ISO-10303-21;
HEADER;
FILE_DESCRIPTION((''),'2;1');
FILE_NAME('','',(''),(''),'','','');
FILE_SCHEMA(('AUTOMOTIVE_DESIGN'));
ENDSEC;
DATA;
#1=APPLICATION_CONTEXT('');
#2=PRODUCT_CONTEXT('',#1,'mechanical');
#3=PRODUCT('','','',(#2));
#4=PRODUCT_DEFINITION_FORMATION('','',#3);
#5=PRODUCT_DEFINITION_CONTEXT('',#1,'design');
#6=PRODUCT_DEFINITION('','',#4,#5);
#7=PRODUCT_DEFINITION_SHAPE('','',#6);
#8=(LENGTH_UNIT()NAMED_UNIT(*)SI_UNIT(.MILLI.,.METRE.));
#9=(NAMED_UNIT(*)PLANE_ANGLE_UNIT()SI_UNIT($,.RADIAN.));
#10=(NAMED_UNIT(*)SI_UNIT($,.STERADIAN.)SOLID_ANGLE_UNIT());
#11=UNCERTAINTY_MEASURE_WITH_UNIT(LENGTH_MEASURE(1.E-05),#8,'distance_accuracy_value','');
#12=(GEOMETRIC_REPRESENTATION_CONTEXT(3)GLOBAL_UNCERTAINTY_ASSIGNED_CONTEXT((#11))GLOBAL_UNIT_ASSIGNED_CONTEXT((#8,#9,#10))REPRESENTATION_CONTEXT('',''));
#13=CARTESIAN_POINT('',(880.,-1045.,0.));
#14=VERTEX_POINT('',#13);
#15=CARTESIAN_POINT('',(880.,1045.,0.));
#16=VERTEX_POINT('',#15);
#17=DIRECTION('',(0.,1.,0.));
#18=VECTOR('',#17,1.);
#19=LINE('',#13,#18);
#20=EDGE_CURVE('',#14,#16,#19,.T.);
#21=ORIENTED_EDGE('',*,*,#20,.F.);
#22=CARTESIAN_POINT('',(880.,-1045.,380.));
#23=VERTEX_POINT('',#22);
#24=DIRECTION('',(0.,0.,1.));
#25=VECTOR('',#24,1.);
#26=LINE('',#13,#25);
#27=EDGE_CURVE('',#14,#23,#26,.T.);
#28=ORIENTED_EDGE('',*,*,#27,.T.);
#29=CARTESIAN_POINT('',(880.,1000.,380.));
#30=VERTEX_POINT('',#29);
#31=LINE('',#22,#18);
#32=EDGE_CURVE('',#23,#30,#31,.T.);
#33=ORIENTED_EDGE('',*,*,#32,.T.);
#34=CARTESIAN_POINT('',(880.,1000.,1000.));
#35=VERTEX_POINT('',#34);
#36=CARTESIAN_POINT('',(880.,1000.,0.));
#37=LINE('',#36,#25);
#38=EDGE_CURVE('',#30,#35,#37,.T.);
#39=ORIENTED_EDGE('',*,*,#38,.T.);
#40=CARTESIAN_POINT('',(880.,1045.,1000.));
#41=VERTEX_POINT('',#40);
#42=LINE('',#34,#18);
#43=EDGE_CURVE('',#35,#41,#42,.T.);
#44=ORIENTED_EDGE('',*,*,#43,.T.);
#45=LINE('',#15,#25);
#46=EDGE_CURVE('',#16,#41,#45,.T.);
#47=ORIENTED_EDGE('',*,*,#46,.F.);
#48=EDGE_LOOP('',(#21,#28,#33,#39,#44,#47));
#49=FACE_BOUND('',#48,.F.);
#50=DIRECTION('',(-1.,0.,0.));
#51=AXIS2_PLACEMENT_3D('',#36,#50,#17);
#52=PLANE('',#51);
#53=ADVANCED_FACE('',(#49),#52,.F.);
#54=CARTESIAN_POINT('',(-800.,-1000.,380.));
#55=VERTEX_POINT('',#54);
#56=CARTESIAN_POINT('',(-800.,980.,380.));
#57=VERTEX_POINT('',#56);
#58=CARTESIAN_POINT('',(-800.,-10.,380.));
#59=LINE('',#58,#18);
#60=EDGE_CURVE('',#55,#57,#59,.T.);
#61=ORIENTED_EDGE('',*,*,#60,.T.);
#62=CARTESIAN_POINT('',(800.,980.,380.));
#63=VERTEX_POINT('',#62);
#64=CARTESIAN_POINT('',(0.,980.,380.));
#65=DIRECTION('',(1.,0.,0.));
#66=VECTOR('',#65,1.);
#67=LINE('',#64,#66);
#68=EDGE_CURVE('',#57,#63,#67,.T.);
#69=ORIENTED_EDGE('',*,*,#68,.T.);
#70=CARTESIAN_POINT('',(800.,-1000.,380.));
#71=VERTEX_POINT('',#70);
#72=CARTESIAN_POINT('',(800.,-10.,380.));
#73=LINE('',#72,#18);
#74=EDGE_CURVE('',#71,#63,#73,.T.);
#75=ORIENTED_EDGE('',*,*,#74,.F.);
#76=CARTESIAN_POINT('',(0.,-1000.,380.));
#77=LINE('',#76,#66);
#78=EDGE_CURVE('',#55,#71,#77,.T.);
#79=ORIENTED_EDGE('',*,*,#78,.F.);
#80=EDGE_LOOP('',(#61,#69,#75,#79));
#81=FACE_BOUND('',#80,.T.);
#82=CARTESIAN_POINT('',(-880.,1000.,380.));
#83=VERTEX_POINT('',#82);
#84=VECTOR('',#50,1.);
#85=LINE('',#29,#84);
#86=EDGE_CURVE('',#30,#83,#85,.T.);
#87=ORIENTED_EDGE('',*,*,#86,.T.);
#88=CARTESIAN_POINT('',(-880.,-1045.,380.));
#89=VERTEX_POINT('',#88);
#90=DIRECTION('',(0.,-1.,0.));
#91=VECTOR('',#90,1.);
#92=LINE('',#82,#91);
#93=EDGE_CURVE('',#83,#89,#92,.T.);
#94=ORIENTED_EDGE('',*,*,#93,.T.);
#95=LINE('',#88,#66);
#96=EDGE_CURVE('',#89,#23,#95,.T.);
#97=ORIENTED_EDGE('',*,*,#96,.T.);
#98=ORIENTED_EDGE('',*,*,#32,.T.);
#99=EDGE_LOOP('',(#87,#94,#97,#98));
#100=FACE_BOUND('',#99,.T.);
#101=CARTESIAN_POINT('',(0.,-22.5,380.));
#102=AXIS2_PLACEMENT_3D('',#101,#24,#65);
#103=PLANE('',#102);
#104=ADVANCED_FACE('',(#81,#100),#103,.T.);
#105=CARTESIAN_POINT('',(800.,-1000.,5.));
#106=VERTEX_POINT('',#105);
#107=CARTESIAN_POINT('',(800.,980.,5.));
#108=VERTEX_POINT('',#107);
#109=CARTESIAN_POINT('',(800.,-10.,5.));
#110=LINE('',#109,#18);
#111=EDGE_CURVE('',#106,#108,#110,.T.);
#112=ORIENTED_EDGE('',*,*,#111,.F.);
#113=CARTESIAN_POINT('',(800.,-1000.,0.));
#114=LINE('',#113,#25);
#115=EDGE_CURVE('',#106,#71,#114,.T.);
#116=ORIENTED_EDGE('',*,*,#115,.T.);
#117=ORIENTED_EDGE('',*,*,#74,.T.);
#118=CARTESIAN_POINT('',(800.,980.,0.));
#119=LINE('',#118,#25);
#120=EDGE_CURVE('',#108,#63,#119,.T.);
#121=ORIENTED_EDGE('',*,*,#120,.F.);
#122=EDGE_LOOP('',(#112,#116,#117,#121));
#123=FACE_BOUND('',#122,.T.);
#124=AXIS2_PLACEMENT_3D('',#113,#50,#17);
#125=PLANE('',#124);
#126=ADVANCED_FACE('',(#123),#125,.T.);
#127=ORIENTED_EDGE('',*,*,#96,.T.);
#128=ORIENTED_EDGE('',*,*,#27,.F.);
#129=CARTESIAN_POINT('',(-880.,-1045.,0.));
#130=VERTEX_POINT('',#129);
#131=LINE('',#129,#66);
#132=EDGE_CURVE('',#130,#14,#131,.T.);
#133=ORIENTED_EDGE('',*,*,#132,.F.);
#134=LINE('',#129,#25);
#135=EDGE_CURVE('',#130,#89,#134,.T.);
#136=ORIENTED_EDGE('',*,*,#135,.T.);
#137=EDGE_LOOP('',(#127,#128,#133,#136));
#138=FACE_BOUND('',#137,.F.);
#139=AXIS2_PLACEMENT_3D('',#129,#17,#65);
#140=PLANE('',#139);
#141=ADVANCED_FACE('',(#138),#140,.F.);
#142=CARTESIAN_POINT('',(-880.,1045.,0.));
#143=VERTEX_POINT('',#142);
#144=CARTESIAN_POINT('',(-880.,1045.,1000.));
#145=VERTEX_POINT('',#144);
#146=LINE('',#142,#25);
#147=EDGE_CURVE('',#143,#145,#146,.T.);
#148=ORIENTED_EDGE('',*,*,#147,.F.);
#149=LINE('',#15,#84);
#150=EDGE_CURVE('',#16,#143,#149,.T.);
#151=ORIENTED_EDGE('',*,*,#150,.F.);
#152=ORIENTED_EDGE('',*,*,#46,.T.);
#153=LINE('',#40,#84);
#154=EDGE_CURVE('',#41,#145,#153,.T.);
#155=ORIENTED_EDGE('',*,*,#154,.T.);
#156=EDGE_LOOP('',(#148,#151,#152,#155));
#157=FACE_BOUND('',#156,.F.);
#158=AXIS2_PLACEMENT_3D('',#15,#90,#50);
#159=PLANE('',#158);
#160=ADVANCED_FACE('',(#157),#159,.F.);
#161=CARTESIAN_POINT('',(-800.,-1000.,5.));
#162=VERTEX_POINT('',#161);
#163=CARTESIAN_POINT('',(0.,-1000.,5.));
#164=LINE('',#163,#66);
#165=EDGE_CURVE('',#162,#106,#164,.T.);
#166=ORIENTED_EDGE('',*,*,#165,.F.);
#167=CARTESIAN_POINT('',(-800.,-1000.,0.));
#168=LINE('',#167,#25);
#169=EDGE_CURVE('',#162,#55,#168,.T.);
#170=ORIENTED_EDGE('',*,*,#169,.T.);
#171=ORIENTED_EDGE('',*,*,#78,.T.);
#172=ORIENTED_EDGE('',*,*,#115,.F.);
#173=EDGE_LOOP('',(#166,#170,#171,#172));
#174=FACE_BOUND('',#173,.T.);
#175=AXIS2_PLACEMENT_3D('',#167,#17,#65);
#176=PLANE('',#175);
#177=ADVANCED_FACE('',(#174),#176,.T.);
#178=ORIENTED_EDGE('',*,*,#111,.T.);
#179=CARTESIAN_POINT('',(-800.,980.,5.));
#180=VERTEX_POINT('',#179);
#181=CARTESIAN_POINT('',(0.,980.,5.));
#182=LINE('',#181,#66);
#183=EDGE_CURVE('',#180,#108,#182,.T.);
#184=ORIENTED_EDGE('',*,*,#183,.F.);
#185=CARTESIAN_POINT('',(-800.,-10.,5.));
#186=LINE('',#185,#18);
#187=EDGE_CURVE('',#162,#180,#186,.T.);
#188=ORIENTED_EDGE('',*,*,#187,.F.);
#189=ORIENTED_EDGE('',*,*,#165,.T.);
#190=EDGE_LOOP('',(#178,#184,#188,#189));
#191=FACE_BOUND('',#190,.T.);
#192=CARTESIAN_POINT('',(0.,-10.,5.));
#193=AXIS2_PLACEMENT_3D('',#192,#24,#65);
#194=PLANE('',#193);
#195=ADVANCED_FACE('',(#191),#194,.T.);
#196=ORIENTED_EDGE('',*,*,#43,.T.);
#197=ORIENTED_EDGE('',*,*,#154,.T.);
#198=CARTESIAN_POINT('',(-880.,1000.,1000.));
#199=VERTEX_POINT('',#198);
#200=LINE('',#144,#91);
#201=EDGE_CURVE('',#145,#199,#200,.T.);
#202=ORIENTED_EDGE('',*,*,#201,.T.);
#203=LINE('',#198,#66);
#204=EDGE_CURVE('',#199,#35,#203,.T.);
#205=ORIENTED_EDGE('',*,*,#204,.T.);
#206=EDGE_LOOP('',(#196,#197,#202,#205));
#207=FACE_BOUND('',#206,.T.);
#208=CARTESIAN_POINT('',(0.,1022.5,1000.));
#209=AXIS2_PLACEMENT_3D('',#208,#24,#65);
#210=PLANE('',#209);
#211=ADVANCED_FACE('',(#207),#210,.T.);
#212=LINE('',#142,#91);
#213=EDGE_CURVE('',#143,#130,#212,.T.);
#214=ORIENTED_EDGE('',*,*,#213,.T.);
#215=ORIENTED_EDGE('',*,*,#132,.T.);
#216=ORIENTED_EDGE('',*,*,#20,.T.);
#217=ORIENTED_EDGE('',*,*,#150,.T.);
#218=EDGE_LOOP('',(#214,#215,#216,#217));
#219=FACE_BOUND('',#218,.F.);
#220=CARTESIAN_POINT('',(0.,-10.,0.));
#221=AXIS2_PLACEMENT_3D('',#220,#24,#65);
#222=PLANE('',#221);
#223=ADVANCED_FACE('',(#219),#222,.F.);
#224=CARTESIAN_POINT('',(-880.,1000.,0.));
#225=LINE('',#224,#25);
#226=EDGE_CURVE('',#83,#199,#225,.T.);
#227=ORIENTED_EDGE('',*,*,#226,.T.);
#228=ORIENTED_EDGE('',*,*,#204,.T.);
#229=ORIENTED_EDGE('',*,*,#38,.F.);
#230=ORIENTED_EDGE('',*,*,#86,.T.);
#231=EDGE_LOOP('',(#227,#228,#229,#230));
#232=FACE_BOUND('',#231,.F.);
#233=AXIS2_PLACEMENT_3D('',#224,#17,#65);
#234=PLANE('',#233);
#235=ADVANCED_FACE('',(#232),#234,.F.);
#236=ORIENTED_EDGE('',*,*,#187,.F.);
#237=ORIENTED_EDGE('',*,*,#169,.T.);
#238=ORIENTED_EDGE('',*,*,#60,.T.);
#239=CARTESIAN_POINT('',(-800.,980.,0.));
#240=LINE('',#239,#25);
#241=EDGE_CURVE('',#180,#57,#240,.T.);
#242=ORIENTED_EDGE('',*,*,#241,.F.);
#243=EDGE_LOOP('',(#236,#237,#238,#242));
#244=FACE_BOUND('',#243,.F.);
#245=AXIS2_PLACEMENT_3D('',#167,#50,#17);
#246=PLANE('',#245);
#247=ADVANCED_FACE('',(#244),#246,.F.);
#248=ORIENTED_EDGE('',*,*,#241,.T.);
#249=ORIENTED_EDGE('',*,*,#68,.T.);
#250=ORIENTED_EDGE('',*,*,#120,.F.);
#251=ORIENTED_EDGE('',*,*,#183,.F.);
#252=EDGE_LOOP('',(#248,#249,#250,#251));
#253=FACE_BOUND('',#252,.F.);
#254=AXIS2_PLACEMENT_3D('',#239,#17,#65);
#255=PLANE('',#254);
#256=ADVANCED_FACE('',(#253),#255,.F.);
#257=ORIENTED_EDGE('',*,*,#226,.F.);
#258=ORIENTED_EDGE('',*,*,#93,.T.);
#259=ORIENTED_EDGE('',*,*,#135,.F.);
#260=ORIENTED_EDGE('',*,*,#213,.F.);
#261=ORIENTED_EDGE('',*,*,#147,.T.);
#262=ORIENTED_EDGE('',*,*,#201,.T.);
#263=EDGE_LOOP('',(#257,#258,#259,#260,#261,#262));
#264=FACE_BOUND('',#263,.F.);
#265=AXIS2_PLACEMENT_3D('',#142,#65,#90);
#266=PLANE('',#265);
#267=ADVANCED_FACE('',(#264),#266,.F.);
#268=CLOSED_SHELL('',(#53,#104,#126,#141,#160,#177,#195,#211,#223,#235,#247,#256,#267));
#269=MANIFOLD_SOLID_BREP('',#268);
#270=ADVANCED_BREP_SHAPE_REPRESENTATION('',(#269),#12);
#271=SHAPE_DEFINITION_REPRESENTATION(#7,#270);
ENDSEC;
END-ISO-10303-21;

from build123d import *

# Parameters (mm, degrees)
F0_W     = 1600
F0_H     = 1980
F1_DEPTH = 380
F2_DEPTH = 1000
F3_DEPTH = 5


with BuildPart() as f1:
    # F0 (on Top) → F1 (new body)
    with BuildSketch(Plane.XY):
        Polygon((-800, 1000), (-880, 1000), (-880, -1045), (880, -1045), (880, 1000), (800, 1000), align=None)
        with Locations((0, -10)):
            Rectangle(F0_W, F0_H, mode=Mode.SUBTRACT)
    extrude(amount=F1_DEPTH)

    # F0 (on Top) → F2 (join)
    with BuildSketch(Plane.XY):
        Polygon((880, 1045), (-880, 1045), (-880, 1000), (-800, 1000), (800, 1000), (880, 1000), align=None)
    extrude(amount=F2_DEPTH)

    # F0 (on Top) → F3 (join)
    with BuildSketch(Plane.XY):
        with Locations((0, -10)):
            Rectangle(F0_W, F0_H)
    extrude(amount=F3_DEPTH)


solid = f1.part
